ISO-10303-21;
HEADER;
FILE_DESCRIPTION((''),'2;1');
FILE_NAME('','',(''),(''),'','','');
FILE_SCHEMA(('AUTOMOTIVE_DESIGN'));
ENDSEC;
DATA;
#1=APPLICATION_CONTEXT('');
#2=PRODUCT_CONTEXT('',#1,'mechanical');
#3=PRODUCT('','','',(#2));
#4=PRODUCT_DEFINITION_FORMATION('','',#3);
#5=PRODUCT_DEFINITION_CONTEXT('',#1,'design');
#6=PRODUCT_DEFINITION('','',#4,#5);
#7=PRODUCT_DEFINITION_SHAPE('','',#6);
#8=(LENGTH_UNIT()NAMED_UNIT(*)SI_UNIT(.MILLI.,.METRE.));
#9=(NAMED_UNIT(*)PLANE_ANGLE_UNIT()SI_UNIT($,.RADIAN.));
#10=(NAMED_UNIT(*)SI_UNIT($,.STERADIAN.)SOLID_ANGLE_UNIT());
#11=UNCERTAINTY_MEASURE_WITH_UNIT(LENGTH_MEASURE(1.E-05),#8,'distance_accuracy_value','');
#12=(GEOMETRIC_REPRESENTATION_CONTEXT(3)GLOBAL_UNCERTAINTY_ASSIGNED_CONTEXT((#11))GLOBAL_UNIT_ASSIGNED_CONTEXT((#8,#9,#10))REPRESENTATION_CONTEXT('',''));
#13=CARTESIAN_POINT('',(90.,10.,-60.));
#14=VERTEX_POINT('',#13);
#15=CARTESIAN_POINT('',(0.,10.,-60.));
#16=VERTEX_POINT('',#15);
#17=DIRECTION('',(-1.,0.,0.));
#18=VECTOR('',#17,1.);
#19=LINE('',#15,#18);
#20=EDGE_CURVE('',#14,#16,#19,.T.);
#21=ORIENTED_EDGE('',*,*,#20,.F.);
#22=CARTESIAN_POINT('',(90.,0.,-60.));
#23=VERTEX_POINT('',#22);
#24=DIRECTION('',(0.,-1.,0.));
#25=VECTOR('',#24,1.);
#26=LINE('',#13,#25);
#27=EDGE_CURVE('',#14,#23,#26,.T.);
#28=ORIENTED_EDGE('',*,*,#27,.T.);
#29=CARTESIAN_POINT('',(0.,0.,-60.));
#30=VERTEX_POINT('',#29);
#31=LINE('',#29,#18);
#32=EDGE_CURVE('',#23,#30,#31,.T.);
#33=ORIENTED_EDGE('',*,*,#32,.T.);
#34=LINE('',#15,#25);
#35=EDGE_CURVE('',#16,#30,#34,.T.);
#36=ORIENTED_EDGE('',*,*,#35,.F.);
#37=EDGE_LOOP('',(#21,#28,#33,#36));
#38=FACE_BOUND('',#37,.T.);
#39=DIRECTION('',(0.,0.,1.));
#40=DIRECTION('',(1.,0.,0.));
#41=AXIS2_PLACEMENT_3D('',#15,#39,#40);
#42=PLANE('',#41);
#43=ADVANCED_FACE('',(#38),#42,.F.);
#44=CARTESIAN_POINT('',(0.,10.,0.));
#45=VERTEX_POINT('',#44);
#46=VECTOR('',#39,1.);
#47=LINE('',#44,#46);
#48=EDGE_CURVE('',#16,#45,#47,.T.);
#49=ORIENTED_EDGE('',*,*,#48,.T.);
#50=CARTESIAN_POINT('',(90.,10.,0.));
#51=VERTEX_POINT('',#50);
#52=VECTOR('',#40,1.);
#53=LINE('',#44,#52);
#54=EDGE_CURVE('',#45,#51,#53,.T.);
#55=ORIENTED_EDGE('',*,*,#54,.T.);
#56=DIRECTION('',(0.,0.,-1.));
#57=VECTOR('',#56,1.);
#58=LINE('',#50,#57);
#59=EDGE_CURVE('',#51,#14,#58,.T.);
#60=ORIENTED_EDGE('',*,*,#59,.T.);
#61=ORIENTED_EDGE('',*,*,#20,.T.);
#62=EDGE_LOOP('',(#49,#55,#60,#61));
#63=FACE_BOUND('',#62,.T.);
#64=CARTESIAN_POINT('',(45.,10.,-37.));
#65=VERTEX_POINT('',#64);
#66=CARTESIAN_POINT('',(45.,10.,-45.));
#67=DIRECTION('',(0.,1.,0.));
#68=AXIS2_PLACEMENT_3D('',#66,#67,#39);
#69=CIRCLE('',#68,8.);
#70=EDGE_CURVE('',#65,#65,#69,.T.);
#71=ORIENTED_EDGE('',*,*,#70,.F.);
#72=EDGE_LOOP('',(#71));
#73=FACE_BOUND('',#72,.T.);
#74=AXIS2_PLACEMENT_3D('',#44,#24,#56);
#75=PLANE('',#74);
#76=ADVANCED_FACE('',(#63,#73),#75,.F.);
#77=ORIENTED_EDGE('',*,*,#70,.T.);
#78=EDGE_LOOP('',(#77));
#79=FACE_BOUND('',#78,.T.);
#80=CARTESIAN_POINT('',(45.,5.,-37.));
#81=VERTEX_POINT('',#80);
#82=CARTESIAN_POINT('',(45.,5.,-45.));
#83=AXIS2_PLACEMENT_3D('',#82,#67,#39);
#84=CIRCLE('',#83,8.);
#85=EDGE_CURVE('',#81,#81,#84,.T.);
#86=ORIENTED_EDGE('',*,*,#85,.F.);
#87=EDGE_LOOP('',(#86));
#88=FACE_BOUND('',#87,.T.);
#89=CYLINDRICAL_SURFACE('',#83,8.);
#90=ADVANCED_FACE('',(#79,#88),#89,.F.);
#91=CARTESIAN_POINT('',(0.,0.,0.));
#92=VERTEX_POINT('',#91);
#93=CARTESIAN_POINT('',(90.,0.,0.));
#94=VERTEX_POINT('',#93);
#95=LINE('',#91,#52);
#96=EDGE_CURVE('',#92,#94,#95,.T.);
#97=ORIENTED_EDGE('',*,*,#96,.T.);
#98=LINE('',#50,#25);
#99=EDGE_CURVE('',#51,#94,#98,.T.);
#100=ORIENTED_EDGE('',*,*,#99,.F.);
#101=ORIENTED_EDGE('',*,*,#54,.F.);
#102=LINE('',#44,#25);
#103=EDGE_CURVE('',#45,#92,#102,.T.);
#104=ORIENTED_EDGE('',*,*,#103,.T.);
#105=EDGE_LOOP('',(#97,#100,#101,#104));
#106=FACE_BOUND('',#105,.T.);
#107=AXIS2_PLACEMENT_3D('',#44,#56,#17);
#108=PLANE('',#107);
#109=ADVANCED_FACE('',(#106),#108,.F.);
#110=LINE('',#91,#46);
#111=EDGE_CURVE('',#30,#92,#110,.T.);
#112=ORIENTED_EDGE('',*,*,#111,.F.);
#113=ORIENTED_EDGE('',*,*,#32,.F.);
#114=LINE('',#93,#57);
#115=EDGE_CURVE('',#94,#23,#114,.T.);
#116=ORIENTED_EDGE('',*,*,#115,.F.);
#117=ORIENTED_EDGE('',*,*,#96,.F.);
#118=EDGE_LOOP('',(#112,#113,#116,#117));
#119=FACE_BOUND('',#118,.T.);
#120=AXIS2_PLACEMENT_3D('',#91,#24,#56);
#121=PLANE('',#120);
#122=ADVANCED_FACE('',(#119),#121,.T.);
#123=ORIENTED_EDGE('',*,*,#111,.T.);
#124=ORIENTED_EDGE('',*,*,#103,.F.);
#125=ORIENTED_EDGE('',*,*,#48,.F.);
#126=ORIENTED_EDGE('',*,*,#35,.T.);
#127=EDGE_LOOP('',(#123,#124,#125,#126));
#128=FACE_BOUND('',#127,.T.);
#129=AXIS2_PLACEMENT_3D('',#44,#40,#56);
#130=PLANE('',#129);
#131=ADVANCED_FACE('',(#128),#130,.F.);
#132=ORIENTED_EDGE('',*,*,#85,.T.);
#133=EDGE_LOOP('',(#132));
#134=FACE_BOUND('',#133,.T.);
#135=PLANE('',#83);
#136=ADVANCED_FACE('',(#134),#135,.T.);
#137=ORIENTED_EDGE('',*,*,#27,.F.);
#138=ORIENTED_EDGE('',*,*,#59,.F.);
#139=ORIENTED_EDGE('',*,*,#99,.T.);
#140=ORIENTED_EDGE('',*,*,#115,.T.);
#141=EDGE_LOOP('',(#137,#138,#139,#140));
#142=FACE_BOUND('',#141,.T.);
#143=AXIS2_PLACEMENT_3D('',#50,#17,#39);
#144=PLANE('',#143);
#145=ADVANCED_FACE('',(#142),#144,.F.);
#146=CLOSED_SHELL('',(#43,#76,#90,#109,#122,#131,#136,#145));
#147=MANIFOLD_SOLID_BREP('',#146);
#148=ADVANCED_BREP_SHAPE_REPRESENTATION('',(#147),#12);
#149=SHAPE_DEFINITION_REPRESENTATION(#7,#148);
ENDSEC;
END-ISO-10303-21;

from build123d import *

# Parameters (mm, degrees)
SKETCH1_W      = 90
SKETCH1_H      = 60
EXTRUDE1_DEPTH = 10
SKETCH2_R      = 8
EXTRUDE2_DEPTH = 5


with BuildPart() as part:
    # Sketch1 → Extrude1 (new body)
    with BuildSketch(Plane(origin=(0, 0, 0), x_dir=(1, 0, 0), z_dir=(0, 1, 0))):
        with Locations((45, 30)):
            Rectangle(SKETCH1_W, SKETCH1_H)
    extrude(amount=EXTRUDE1_DEPTH)

    # Sketch2 → Extrude2 (cut)
    with BuildSketch(Plane(origin=(0, 10, 0), x_dir=(1, 0, 0), z_dir=(0, 1, 0))):
        with Locations(Location((45, 45, 0), (0, 0, 270))):
            Circle(SKETCH2_R)
    extrude(amount=-EXTRUDE2_DEPTH, mode=Mode.SUBTRACT)


solid = part.part
